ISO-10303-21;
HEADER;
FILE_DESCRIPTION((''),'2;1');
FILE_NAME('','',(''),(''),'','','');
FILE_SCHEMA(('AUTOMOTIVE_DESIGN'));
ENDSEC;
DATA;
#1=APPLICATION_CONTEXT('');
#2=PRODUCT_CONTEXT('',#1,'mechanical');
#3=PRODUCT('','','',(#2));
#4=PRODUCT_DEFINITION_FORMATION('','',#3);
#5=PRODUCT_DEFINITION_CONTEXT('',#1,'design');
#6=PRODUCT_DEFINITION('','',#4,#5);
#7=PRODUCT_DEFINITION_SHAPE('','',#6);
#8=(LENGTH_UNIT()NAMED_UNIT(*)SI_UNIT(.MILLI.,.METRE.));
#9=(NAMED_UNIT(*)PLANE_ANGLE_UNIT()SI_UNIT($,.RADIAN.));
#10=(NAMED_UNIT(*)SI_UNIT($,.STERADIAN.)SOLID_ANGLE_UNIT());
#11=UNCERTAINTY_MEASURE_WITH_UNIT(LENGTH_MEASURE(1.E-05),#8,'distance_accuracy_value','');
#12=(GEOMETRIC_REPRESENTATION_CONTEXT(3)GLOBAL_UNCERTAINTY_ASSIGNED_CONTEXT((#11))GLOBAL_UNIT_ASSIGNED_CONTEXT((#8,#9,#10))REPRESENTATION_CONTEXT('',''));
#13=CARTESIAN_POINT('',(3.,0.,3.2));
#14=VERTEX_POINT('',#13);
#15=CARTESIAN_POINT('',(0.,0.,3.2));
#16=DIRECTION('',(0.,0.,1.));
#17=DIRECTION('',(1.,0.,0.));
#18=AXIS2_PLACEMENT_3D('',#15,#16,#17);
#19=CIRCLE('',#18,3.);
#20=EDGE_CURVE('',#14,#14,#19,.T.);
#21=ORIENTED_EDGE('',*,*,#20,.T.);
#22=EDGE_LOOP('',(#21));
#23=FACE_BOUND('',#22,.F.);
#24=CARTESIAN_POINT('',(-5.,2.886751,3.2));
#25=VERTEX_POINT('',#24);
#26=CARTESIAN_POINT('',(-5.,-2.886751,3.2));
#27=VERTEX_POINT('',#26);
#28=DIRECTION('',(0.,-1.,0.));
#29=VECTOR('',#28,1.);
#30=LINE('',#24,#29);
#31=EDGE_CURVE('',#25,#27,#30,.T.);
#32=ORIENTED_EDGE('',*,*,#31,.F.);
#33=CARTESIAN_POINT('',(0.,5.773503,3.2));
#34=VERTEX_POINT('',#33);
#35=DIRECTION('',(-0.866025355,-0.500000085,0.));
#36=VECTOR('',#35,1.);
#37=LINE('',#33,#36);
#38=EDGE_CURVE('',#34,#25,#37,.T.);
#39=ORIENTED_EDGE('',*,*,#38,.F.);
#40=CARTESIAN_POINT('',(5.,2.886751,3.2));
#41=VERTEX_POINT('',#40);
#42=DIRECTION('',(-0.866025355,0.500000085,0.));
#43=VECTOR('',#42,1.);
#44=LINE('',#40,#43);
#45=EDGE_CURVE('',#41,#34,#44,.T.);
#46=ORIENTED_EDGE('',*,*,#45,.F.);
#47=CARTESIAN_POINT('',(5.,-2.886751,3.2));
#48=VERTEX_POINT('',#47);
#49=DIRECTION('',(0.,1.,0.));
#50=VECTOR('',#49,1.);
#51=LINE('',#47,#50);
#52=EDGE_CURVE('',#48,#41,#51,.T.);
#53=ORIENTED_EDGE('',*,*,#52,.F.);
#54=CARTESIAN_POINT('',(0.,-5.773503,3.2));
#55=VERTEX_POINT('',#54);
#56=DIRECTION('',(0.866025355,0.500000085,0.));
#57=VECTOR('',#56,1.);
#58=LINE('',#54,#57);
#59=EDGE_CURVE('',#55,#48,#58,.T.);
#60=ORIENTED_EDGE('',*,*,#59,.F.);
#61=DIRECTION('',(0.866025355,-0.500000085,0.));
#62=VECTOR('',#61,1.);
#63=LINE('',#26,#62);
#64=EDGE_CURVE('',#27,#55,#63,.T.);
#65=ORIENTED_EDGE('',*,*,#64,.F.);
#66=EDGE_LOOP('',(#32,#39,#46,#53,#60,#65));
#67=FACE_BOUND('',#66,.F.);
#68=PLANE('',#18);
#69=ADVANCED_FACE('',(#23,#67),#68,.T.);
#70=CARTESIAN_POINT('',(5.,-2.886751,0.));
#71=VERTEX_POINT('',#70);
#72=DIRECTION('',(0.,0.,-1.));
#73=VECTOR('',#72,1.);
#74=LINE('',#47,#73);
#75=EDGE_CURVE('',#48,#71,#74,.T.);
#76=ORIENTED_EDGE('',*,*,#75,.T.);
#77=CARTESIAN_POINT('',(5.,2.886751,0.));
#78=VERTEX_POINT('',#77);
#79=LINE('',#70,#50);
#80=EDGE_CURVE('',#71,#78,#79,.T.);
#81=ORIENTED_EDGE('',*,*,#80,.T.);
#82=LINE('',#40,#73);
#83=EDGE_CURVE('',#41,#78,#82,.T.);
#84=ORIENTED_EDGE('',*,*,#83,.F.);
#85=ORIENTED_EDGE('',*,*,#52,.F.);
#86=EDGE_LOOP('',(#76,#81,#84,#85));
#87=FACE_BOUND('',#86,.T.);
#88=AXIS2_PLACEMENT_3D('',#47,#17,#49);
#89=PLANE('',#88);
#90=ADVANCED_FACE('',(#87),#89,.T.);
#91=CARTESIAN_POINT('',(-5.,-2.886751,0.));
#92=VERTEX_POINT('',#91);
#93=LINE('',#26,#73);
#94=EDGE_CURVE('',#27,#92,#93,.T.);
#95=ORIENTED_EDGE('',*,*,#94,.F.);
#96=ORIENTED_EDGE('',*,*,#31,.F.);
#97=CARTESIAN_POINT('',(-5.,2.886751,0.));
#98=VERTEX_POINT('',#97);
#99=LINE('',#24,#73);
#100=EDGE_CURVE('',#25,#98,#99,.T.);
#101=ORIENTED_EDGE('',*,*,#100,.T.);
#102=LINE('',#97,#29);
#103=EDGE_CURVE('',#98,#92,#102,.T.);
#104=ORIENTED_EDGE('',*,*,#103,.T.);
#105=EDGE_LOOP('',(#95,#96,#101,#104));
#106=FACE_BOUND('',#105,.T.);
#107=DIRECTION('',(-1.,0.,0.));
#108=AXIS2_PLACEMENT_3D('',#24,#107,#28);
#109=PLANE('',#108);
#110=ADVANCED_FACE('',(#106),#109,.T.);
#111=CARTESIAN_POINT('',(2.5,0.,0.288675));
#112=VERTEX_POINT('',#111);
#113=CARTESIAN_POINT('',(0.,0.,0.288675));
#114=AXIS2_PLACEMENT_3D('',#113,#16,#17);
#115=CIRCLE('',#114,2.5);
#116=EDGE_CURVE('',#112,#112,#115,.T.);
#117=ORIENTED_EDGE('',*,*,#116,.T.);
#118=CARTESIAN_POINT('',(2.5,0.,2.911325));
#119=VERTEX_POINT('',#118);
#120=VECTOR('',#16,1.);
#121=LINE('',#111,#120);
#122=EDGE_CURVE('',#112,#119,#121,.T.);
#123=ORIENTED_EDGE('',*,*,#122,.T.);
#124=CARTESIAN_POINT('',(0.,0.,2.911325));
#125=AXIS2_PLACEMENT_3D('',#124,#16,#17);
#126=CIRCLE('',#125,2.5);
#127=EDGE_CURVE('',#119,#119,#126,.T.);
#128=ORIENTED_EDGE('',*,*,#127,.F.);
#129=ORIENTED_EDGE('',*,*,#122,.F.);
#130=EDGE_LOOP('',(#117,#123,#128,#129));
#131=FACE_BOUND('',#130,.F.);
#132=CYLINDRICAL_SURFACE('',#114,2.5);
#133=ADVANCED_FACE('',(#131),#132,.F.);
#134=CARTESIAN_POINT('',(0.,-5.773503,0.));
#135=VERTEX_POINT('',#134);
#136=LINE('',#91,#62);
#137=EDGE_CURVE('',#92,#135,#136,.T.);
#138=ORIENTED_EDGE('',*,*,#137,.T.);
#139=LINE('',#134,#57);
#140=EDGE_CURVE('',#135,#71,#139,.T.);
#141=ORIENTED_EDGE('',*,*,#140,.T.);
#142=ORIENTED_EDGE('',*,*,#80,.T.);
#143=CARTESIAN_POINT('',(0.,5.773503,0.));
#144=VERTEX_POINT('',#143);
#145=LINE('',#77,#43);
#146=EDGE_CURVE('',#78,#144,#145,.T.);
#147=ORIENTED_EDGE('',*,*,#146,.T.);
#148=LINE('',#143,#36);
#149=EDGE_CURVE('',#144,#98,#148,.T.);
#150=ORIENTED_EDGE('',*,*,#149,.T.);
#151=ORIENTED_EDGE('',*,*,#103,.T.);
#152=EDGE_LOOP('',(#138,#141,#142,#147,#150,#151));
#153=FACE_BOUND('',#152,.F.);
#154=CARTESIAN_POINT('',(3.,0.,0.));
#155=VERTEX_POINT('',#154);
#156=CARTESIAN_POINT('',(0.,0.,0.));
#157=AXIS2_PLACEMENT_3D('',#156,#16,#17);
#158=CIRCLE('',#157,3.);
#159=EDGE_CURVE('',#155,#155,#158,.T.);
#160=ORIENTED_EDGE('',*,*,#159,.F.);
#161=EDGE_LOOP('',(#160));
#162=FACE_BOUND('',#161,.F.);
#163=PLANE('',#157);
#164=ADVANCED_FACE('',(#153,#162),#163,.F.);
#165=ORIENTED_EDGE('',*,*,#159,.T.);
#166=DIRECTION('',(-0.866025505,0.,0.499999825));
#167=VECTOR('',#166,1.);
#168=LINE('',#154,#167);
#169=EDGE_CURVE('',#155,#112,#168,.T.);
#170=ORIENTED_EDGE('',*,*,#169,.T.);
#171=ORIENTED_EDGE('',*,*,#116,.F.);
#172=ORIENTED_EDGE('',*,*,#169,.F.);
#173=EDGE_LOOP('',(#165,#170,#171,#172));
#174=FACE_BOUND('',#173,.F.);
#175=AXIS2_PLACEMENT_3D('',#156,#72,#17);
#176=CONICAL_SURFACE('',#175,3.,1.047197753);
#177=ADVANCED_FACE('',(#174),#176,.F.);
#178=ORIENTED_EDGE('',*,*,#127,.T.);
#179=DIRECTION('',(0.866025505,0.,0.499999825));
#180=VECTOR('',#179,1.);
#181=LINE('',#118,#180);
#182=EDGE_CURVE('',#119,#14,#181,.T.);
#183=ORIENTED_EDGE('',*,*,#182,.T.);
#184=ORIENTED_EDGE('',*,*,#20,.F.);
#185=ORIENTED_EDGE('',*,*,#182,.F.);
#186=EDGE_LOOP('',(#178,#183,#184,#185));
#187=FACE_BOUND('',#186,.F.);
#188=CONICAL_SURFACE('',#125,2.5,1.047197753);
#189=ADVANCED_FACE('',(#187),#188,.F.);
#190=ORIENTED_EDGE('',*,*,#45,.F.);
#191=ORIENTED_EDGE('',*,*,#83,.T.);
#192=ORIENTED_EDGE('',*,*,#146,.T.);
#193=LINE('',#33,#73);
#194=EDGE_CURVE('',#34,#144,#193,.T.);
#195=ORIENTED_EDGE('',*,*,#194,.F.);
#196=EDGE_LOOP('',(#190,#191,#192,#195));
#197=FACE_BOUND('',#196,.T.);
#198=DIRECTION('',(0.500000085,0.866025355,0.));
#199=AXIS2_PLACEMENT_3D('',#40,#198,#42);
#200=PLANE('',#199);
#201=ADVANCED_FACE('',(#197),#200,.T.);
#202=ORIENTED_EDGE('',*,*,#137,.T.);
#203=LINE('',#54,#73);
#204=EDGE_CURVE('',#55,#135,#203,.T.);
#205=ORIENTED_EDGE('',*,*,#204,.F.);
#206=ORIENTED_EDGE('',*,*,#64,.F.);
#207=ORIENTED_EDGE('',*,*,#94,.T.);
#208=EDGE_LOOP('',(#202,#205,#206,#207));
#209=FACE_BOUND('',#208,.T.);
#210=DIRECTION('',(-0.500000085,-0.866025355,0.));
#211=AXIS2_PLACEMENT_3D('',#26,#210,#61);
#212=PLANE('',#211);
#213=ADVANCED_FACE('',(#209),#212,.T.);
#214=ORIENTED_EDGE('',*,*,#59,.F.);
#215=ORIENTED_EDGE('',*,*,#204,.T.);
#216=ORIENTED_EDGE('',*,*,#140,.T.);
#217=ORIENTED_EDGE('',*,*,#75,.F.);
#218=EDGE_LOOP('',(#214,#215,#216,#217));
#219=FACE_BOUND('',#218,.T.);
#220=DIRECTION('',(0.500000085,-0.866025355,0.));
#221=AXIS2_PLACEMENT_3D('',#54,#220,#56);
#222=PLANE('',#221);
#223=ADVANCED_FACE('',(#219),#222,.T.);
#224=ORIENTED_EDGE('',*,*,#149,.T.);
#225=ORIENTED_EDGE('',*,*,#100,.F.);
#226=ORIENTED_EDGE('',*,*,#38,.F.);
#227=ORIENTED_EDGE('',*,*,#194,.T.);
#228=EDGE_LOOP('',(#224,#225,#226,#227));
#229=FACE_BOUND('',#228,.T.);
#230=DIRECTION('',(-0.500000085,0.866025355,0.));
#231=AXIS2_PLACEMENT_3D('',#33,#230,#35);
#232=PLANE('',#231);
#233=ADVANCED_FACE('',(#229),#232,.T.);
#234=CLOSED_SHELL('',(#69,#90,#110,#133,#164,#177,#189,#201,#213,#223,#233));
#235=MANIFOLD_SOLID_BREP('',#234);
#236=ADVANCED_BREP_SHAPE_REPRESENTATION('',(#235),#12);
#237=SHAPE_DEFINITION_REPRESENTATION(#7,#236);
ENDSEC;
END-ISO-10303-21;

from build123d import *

# Parameters (mm, degrees)
SKETCH001_R  = 7
POCKET_DEPTH = 3.2


with BuildPart() as part:
    # Sketch → Revolution (revolve)
    with BuildSketch(Plane.XZ):
        Polygon((3, 0), (2.5, 0.288675), (2.5, 2.911325), (3, 3.2), (6, 3.2), (6, 0), align=None)
    revolve(axis=Axis((0, 0, 0), (0, 0, 1)))

    # Sketch001 → Pocket (cut)
    with BuildSketch(Plane(origin=(0, 0, 3.2), x_dir=(-1, 0, 0), z_dir=(0, 0, 1))):
        Circle(SKETCH001_R)
        Polygon((-5, 2.886751), (-5, -2.886751), (0, -5.773503), (5, -2.886751), (5, 2.886751), (0, 5.773503), align=None, mode=Mode.SUBTRACT)
    extrude(amount=-POCKET_DEPTH, mode=Mode.SUBTRACT)


solid = part.part
